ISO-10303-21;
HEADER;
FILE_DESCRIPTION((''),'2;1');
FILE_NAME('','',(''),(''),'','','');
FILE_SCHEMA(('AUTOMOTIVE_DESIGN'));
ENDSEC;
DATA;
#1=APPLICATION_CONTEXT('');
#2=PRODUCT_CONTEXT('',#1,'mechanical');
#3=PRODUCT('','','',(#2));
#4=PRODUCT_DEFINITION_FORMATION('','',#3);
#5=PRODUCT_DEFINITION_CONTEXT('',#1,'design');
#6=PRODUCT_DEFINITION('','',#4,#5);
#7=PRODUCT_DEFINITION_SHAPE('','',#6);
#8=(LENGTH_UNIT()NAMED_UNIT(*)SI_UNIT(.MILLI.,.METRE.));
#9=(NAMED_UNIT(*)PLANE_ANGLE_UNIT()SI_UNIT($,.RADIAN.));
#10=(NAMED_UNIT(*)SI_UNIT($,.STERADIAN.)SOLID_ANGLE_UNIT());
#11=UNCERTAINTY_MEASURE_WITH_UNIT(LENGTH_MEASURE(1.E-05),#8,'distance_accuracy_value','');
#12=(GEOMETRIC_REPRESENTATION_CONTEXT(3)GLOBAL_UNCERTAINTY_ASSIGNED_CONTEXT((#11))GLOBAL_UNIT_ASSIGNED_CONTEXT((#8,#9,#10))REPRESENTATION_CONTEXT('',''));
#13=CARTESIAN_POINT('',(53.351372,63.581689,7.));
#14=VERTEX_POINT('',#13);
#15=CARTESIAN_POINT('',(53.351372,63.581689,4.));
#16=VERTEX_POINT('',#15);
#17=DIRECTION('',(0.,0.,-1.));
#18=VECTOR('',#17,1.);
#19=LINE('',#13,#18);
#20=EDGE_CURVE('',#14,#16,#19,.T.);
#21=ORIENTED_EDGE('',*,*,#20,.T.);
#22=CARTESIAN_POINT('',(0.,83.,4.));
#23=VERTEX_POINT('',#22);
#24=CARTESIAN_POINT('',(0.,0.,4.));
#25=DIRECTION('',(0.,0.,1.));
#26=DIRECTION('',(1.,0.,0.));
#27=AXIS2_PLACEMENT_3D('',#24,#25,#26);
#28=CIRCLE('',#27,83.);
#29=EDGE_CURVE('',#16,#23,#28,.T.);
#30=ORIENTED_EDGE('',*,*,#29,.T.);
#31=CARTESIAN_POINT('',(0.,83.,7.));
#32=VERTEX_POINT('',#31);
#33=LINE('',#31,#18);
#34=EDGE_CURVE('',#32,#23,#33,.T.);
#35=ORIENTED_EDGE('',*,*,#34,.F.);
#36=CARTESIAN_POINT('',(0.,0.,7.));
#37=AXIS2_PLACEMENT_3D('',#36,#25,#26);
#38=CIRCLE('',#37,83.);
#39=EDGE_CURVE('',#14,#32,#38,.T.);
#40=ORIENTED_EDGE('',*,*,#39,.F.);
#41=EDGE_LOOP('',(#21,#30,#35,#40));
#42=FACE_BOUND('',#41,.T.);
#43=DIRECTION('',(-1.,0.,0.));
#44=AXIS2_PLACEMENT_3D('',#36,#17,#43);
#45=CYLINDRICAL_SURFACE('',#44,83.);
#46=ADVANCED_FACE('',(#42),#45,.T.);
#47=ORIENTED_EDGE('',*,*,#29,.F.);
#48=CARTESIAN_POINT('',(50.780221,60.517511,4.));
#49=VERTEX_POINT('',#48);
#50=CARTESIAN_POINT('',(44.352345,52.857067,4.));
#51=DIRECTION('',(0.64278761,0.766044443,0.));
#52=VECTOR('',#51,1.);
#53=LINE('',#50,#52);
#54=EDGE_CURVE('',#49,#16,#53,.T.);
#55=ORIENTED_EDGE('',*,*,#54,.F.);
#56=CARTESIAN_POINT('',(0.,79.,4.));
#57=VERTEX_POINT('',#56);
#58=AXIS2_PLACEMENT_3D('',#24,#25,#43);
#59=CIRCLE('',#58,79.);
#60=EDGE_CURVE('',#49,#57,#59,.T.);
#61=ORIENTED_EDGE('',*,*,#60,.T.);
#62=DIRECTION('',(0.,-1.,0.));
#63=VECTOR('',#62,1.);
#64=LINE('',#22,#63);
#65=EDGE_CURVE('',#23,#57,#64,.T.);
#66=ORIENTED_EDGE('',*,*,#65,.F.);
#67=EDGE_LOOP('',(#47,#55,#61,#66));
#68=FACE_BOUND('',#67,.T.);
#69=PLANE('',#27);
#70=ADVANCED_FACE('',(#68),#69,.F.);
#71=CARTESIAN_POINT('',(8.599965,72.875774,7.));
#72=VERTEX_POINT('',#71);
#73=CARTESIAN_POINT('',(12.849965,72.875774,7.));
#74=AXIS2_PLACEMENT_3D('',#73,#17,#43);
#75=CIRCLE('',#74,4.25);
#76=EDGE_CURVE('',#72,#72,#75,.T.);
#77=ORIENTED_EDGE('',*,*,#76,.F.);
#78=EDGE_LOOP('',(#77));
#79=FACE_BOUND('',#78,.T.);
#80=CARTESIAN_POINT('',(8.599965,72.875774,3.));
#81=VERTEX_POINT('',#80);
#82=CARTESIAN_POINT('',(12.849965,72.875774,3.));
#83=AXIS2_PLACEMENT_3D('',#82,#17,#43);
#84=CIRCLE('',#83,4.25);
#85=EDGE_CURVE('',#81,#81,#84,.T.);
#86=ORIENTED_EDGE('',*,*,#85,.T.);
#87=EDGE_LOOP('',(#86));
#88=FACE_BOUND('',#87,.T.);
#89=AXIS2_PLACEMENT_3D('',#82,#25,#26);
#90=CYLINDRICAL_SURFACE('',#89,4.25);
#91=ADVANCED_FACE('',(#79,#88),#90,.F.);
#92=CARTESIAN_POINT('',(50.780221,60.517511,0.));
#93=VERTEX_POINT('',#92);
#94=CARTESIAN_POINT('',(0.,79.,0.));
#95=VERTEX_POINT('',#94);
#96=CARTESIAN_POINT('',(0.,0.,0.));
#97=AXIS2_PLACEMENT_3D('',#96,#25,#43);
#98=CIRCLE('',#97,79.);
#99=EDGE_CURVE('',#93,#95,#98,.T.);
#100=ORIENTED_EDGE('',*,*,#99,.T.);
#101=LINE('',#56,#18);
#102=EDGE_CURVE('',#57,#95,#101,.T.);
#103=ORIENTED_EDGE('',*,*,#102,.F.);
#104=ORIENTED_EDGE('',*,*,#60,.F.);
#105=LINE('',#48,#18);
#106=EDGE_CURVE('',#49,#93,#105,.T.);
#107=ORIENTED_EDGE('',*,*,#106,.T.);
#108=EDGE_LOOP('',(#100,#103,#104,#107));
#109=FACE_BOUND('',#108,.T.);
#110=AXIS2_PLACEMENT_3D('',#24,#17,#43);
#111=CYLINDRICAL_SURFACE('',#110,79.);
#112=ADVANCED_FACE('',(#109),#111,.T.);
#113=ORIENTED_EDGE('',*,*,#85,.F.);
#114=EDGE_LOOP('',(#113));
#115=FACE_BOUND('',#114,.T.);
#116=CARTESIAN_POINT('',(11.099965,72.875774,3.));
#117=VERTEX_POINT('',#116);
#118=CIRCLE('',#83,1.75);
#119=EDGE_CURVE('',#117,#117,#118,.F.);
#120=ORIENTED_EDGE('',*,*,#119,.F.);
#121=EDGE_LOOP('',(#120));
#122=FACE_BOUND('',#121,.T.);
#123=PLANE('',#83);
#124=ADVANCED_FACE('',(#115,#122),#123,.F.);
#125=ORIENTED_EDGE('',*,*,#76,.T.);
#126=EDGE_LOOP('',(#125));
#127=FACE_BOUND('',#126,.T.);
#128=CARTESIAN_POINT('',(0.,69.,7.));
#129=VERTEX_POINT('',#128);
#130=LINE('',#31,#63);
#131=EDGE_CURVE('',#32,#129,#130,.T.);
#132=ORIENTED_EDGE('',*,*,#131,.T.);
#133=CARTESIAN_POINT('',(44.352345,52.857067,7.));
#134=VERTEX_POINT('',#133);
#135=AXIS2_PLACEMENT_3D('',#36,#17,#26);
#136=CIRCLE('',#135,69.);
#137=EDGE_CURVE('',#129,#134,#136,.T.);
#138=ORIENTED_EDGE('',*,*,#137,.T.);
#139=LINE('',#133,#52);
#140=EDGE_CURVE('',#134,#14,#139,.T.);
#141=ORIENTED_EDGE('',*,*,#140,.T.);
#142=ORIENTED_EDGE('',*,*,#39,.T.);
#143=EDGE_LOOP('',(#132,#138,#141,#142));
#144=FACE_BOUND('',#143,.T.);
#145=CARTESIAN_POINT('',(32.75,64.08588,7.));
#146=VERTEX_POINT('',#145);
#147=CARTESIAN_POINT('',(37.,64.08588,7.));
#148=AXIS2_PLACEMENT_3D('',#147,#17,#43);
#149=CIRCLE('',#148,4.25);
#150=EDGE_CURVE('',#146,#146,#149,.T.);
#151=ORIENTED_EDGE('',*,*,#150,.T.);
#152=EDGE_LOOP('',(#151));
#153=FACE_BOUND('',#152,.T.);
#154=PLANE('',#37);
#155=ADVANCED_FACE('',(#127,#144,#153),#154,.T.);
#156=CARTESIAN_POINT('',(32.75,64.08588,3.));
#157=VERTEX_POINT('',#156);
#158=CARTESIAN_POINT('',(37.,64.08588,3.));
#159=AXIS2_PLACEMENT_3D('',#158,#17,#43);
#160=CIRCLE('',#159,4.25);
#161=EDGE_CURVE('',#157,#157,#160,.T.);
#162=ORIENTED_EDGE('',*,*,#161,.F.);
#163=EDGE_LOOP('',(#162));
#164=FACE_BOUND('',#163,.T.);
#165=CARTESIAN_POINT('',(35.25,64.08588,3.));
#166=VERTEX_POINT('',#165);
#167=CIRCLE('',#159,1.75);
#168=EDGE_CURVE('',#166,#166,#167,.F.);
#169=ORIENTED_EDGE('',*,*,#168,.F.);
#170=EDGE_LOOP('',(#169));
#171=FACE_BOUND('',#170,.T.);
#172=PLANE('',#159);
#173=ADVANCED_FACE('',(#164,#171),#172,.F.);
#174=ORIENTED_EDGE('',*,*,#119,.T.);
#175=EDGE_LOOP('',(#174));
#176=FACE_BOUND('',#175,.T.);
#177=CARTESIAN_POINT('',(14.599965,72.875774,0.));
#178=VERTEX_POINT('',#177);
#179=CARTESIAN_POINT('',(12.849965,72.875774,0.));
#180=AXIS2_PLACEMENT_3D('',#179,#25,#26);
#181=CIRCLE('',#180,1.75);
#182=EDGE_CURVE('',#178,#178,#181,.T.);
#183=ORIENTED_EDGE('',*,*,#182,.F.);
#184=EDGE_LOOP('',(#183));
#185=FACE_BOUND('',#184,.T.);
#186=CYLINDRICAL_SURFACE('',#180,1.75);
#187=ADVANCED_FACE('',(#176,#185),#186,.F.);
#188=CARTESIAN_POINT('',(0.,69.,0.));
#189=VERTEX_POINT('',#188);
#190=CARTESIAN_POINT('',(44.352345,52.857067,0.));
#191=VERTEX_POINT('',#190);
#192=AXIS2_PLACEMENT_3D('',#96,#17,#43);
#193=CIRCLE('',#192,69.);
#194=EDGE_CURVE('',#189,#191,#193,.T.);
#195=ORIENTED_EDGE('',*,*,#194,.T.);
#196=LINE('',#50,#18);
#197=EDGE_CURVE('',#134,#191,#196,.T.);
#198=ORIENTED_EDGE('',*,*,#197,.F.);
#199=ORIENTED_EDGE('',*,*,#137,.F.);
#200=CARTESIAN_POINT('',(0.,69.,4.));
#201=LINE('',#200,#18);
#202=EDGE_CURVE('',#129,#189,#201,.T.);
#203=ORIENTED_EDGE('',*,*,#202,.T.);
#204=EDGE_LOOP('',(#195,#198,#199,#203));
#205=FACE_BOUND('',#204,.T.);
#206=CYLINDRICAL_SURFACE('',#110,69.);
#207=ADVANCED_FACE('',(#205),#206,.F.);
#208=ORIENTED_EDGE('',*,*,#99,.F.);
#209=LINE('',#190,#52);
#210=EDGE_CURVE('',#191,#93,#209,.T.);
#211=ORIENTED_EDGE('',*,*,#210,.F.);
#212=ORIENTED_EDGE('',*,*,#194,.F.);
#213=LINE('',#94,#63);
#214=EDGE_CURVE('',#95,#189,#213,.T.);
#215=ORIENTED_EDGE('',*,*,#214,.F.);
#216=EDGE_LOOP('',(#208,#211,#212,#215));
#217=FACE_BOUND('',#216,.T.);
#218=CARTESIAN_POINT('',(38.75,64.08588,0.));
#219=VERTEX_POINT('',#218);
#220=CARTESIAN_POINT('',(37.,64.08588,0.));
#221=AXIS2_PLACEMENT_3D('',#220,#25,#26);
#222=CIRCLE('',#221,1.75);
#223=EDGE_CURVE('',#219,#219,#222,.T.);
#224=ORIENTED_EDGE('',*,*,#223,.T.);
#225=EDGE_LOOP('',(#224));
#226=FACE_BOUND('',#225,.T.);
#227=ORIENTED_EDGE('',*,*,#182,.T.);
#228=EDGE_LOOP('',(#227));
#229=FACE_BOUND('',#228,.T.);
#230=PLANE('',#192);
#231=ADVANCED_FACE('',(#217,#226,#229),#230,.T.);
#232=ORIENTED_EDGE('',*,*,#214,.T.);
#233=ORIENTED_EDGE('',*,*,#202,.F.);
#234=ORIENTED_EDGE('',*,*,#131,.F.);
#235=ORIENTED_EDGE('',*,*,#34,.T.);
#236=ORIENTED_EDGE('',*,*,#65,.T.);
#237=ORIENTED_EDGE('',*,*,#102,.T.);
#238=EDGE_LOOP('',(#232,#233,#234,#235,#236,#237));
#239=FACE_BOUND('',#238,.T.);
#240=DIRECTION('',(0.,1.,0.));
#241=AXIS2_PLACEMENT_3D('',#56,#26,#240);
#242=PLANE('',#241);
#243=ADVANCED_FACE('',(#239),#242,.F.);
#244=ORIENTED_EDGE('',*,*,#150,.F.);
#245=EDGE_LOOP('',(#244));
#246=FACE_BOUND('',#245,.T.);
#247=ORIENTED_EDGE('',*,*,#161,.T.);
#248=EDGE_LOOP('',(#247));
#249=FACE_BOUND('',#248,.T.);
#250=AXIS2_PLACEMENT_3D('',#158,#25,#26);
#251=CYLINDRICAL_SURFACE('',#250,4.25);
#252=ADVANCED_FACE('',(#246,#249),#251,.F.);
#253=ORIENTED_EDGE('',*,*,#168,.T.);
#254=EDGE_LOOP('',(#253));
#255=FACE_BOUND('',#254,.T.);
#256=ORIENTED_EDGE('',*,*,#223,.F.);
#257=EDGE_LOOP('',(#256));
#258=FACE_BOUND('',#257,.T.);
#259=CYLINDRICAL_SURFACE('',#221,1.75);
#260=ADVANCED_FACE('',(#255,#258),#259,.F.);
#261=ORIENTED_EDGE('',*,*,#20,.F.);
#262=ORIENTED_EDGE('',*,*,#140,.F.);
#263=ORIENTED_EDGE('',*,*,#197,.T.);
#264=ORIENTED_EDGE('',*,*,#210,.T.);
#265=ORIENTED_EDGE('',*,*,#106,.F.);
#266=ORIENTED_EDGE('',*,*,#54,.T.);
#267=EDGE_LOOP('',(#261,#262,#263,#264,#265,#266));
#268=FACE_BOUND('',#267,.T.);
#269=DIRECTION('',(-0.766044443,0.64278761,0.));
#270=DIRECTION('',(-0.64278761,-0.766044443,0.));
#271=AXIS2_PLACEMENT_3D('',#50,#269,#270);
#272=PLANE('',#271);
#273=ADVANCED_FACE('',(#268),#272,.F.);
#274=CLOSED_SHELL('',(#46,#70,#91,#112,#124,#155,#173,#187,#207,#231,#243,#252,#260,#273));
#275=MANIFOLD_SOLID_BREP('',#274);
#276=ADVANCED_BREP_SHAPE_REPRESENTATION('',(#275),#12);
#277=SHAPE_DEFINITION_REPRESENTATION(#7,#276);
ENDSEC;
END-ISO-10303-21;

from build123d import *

# Parameters (mm, degrees)
BOSS_EXTRUDE1_DEPTH = 4
BOSS_EXTRUDE2_DEPTH = 3
SKETCH4_R           = 1.75
CUT_EXTRUDE1_DEPTH  = 8
SKETCH5_R           = 4.25
CUT_EXTRUDE2_DEPTH  = 4


with BuildPart() as part:
    # Sketch1 → Boss-Extrude1 (new body)
    with BuildSketch(Plane.XY):
        with BuildLine():
            Line((0, 79), (0, 69))
            ThreePointArc((0, 69), (23.599389889, 64.838790834), (44.352345068, 52.857066575))
            Line((44.352345068, 52.857066575), (50.780221165, 60.517511006))
            ThreePointArc((50.780221165, 60.517511006), (27.019591323, 74.235717042), (0, 79))
        make_face()
    extrude(amount=BOSS_EXTRUDE1_DEPTH)

    # Sketch2 → Boss-Extrude2 (add)
    with BuildSketch(Plane.XY.offset(4)):
        with BuildLine():
            Line((44.352345068, 52.857066575), (53.351371604, 63.581688779))
            ThreePointArc((53.351371604, 63.581688779), (28.387671896, 77.994487525), (0, 83))
            Line((0, 83), (0, 69))
            ThreePointArc((0, 69), (23.599389889, 64.838790834), (44.352345068, 52.857066575))
        make_face()
    extrude(amount=BOSS_EXTRUDE2_DEPTH)

    # Sketch4 → Cut-Extrude1 (cut, through all)
    with BuildSketch(Plane.XY.offset(7)):
        with Locations((12.849965147, 72.875773723)):
            Circle(SKETCH4_R)
        with Locations((37, 64.08587988)):
            Circle(SKETCH4_R)
    extrude(amount=-CUT_EXTRUDE1_DEPTH, mode=Mode.SUBTRACT)

    # Sketch5 → Cut-Extrude2 (cut)
    with BuildSketch(Plane(origin=(0, 0, 7), x_dir=(-1, 0, 0), z_dir=(0, 0, -1))):
        with Locations((-37, 64.08587988)):
            Circle(SKETCH5_R)
        with Locations((-12.849965147, 72.875773723)):
            Circle(SKETCH5_R)
    extrude(amount=CUT_EXTRUDE2_DEPTH, mode=Mode.SUBTRACT)


solid = part.part
